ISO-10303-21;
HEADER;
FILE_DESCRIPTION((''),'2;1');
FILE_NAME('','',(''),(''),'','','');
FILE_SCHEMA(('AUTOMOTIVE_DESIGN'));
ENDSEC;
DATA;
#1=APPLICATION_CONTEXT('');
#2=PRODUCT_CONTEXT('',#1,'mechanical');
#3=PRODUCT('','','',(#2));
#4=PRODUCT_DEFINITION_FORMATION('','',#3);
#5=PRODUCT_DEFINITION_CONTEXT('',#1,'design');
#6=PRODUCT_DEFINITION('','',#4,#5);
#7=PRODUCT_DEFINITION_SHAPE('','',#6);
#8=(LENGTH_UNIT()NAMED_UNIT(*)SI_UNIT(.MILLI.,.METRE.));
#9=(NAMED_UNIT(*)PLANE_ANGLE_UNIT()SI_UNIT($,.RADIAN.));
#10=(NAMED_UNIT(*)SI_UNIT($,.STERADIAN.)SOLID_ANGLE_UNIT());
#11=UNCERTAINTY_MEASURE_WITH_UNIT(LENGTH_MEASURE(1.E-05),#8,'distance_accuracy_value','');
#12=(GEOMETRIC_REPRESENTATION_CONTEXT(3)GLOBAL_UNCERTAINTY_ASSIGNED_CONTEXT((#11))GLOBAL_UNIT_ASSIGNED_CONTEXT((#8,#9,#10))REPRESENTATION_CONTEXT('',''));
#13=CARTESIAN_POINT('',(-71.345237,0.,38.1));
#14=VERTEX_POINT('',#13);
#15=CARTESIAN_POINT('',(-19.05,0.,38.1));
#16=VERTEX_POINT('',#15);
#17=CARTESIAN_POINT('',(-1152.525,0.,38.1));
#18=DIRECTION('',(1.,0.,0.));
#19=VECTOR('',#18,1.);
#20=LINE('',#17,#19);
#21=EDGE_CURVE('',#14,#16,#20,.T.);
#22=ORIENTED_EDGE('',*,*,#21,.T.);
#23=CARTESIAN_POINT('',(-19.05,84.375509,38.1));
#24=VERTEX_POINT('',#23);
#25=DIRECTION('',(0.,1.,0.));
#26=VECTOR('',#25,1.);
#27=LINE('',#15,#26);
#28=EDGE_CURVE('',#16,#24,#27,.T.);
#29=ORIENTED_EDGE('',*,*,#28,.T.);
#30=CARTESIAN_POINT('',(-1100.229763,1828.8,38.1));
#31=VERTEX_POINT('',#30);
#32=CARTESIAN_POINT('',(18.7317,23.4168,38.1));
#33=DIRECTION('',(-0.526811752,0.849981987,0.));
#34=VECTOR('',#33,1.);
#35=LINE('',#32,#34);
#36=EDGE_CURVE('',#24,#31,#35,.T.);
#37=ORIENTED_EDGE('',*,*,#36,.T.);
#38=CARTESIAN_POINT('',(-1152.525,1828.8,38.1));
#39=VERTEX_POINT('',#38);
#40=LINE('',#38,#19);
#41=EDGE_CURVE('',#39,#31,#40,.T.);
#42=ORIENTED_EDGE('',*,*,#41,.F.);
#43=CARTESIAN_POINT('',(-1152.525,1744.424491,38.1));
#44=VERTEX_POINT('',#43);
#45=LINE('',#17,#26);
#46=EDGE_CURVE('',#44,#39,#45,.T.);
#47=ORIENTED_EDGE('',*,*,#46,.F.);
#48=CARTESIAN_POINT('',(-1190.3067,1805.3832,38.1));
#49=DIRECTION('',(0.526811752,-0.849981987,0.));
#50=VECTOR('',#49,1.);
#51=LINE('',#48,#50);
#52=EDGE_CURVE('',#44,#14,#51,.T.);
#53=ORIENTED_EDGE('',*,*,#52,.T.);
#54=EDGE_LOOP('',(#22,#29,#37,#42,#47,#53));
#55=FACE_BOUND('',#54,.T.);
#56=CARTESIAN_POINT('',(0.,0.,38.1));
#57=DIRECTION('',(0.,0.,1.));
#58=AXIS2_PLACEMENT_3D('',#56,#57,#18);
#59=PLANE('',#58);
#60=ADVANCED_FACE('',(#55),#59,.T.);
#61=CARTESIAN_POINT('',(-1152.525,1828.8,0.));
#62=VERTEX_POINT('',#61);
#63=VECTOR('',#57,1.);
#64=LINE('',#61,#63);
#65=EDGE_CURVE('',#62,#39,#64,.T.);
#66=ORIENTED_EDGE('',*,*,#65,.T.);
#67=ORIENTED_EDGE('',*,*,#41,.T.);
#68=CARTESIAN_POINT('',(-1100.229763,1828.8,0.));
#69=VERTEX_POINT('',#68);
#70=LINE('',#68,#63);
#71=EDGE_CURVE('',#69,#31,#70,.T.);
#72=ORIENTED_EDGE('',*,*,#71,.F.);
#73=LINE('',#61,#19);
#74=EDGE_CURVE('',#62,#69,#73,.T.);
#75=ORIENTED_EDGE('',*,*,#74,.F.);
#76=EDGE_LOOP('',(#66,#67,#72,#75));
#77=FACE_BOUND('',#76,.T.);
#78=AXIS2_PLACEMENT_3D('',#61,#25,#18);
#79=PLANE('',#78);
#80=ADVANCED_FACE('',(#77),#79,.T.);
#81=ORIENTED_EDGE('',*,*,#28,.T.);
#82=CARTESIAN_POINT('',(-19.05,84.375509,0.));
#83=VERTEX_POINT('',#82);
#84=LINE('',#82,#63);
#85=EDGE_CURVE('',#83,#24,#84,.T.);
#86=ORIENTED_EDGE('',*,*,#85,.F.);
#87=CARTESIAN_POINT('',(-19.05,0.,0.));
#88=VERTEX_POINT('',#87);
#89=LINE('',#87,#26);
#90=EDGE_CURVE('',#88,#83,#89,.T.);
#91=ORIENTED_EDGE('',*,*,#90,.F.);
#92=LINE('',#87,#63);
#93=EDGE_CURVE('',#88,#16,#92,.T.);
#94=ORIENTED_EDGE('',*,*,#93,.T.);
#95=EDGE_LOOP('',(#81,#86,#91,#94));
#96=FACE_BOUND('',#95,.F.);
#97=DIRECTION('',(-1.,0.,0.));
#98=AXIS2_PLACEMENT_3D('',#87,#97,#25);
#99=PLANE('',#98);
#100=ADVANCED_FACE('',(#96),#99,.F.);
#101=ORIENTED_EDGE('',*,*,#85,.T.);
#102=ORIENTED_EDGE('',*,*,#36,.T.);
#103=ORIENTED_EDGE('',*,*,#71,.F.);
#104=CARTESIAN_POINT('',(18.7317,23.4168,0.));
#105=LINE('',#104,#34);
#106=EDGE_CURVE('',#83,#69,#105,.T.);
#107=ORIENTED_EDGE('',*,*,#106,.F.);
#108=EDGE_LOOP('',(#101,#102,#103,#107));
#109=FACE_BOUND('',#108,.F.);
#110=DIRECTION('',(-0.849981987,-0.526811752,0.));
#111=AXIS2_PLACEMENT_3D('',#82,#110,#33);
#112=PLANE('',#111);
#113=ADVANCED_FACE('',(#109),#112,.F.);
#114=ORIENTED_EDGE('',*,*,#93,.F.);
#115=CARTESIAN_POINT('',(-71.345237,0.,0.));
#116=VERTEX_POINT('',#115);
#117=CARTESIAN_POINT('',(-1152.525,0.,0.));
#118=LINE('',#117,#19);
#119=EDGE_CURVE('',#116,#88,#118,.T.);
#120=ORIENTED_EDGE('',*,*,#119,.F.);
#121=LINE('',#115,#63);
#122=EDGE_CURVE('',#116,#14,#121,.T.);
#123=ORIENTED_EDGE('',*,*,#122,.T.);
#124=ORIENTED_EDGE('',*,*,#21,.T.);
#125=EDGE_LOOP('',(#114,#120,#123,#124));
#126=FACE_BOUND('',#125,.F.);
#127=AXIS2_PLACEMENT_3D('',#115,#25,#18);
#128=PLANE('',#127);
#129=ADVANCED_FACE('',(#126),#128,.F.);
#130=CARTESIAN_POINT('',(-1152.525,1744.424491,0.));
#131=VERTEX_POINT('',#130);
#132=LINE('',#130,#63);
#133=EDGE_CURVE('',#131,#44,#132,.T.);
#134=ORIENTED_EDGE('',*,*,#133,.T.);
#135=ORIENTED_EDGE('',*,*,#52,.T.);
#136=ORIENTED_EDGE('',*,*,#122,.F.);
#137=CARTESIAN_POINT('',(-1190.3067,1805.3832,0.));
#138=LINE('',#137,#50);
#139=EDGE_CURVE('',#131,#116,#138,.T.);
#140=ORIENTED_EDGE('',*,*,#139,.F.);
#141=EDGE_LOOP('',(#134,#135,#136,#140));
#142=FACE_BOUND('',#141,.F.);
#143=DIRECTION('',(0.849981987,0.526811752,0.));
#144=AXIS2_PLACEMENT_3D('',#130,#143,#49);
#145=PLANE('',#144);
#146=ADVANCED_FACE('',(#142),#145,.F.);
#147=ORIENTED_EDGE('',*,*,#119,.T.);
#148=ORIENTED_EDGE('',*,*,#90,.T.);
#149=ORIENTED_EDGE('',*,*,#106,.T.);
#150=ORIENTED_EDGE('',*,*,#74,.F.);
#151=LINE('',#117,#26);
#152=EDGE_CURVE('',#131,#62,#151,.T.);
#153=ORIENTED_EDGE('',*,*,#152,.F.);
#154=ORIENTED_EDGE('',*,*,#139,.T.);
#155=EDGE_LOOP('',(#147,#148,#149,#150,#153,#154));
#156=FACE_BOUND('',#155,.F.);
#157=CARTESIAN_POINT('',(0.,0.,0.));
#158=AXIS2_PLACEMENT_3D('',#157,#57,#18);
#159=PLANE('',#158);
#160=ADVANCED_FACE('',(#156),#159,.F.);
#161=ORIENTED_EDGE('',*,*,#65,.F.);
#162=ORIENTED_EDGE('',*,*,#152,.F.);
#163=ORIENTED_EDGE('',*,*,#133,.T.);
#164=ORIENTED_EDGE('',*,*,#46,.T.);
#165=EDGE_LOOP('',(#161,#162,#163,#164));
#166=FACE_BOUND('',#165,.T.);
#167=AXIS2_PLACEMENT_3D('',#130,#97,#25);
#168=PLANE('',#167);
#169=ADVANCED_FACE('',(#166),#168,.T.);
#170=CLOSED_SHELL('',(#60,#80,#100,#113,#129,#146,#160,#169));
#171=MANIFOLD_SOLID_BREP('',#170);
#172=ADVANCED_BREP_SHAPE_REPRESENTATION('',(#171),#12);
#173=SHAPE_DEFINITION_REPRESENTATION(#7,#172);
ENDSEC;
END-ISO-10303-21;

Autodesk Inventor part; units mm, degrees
ref_plane "YZ Plane" through (0, 0, 0) normal (1, 0, 0) x (0, 1, 0)
ref_plane "XZ Plane" through (0, 0, 0) normal (0, 1, 0) x (-1, 0, 0)
ref_plane "XY Plane" through (0, 0, 0) normal (0, 0, 1) x (1, 0, 0)
sketch "Sketch1" plane through (0, 0, 0) normal (0, 0, 1) x (1, 0, 0)
  line L0 (-1152.525, 0) -> (1152.525, 0)
  line L1 (-19.05, 0) -> (19.05, 0)
  line L2 (-19.05, 0) -> (-19.05, 1828.8)
  line L3 (19.05, 0) -> (19.05, 1828.8)
  line L4 (19.05, 1828.8) -> (-19.05, 1828.8)
  line L5 (1152.525, 0) -> (1152.525, 1828.8)
  line L6 (1152.525, 1828.8) -> (19.05, 1828.8)
  line L7 (-1152.525, 0) -> (-1152.525, 1828.8)
  line L8 (-1152.525, 1828.8) -> (-19.05, 1828.8)
  line L9 (-1152.525, 1828.8) -> (-19.05, 0)
  line L10 (19.05, 0) -> (1152.525, 1828.8)
  line L11 (-56.8317, -23.4168) -> (18.7317, 23.4168)
  line L12 (-1190.3067, 1805.3832) -> (-1114.7433, 1852.2168)
  line L13 (-1190.3067, 1805.3832) -> (-56.8317, -23.4168)
  line L14 (18.7317, 23.4168) -> (-1114.7433, 1852.2168)
  line L15 (0, 1828.8) -> (0, 0)
  point P0 (-19.05, 84.3755)
  point P1 (-1100.2298, 1828.8)
  point P2 (-1152.525, 1744.4245)
  point P3 (-71.3452, 0)
  dimension "d0" = 2305.05
  dimension "d1" = 38.1
  dimension "d2" = 1828.8
  dimension "d3" = 1828.8
  dimension "d4" = 1828.8
  dimension "d5" = 1828.8
  dimension "d6" = 88.9
  dimension "d7" = 88.9
extrude "Extrusion1" add sketch "Sketch1" along normal blind 38.1 contours L9 L8 L14 L2 | L0 L13 L7 L9
properties part number "S_2x4x84.708"
